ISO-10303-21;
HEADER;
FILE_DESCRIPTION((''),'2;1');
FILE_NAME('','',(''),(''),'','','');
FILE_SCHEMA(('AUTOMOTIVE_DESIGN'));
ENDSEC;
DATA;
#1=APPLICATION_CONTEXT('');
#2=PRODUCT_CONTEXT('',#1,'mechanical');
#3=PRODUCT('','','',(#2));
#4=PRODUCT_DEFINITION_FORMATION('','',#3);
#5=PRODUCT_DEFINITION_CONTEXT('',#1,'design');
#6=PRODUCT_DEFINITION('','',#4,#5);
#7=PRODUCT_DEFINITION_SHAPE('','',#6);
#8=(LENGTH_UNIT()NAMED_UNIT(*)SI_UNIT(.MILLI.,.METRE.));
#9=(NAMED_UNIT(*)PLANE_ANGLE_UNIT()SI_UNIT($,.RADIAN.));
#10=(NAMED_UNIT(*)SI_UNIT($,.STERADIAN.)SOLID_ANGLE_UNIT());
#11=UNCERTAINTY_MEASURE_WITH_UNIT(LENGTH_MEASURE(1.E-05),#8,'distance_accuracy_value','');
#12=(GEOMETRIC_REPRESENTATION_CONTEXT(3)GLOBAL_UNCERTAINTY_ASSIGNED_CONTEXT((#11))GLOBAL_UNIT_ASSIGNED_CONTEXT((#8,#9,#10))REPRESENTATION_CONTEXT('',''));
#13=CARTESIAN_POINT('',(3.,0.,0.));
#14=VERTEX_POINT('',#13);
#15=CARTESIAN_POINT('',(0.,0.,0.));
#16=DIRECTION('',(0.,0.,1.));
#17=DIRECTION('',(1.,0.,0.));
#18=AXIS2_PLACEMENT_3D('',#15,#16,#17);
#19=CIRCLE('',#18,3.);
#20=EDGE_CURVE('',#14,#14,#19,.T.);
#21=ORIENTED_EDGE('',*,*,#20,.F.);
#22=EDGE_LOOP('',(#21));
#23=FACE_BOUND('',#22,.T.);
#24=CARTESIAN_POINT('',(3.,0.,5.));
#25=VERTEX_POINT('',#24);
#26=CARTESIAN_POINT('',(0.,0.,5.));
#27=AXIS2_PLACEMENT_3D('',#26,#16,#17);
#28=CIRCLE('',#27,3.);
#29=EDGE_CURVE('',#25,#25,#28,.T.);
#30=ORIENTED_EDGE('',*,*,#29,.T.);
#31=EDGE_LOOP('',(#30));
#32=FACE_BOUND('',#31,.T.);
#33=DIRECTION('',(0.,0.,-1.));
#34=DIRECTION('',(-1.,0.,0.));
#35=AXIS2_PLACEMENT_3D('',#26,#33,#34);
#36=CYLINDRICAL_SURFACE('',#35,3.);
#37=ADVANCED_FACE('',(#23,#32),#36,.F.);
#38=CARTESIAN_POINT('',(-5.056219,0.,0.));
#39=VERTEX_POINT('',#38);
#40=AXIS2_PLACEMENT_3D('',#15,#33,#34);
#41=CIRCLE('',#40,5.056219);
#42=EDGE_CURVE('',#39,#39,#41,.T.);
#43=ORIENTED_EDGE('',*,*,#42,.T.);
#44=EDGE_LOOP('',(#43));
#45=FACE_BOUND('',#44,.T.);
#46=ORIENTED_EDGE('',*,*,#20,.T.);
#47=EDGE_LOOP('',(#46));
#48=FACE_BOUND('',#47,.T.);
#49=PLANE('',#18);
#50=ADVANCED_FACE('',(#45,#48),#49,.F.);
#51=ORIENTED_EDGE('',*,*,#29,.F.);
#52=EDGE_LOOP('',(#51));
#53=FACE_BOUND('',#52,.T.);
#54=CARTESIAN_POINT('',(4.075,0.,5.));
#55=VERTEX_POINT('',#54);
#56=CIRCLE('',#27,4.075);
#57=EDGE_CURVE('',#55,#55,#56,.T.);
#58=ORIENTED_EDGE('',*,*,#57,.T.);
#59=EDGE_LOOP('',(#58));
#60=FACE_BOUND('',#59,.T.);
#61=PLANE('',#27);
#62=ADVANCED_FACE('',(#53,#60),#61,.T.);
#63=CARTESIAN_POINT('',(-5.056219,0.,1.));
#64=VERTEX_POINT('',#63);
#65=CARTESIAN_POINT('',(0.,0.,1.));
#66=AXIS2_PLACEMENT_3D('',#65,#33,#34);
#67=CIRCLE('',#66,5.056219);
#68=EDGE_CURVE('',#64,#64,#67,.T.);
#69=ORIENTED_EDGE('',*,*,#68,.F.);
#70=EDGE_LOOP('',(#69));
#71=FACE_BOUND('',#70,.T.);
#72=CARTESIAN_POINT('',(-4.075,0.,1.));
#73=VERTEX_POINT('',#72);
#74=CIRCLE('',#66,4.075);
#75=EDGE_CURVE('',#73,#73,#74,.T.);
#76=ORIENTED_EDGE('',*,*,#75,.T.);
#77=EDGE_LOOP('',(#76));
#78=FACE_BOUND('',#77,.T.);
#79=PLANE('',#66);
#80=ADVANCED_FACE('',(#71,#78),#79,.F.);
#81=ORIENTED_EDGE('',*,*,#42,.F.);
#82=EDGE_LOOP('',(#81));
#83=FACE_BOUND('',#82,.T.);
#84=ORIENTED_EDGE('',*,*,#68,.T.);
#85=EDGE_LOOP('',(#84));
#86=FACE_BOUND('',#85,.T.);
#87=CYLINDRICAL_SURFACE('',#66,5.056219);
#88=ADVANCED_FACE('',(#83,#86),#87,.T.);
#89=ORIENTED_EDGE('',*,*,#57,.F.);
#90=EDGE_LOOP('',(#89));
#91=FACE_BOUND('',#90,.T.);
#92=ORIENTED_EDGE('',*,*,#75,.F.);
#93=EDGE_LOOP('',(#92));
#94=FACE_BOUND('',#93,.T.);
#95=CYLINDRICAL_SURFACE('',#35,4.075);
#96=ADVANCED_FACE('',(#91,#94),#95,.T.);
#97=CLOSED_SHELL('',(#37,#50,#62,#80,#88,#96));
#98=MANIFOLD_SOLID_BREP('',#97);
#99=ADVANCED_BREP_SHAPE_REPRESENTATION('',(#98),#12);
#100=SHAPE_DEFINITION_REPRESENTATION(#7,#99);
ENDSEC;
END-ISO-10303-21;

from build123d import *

# Parameters (mm, degrees)
SKETCH_1_R      = 4.075
SKETCH_1_R_2    = 3
EXTRUDE_4_DEPTH = 5
SKETCH_7_R      = 5.056218796
SKETCH_7_R_2    = 4.075
EXTRUDE_5_DEPTH = 1


with BuildPart() as part:
    # 草图1 → 凸台-拉伸4 (new body)
    with BuildSketch(Plane.XY):
        Circle(SKETCH_1_R)
        Circle(SKETCH_1_R_2, mode=Mode.SUBTRACT)
    extrude(amount=EXTRUDE_4_DEPTH)

    # 草图7 → 凸台-拉伸5 (add)
    with BuildSketch(Plane(origin=(0, 0, 0), x_dir=(-1, 0, 0), z_dir=(0, 0, -1))):
        Circle(SKETCH_7_R)
        Circle(SKETCH_7_R_2, mode=Mode.SUBTRACT)
    extrude(amount=-EXTRUDE_5_DEPTH)


solid = part.part
